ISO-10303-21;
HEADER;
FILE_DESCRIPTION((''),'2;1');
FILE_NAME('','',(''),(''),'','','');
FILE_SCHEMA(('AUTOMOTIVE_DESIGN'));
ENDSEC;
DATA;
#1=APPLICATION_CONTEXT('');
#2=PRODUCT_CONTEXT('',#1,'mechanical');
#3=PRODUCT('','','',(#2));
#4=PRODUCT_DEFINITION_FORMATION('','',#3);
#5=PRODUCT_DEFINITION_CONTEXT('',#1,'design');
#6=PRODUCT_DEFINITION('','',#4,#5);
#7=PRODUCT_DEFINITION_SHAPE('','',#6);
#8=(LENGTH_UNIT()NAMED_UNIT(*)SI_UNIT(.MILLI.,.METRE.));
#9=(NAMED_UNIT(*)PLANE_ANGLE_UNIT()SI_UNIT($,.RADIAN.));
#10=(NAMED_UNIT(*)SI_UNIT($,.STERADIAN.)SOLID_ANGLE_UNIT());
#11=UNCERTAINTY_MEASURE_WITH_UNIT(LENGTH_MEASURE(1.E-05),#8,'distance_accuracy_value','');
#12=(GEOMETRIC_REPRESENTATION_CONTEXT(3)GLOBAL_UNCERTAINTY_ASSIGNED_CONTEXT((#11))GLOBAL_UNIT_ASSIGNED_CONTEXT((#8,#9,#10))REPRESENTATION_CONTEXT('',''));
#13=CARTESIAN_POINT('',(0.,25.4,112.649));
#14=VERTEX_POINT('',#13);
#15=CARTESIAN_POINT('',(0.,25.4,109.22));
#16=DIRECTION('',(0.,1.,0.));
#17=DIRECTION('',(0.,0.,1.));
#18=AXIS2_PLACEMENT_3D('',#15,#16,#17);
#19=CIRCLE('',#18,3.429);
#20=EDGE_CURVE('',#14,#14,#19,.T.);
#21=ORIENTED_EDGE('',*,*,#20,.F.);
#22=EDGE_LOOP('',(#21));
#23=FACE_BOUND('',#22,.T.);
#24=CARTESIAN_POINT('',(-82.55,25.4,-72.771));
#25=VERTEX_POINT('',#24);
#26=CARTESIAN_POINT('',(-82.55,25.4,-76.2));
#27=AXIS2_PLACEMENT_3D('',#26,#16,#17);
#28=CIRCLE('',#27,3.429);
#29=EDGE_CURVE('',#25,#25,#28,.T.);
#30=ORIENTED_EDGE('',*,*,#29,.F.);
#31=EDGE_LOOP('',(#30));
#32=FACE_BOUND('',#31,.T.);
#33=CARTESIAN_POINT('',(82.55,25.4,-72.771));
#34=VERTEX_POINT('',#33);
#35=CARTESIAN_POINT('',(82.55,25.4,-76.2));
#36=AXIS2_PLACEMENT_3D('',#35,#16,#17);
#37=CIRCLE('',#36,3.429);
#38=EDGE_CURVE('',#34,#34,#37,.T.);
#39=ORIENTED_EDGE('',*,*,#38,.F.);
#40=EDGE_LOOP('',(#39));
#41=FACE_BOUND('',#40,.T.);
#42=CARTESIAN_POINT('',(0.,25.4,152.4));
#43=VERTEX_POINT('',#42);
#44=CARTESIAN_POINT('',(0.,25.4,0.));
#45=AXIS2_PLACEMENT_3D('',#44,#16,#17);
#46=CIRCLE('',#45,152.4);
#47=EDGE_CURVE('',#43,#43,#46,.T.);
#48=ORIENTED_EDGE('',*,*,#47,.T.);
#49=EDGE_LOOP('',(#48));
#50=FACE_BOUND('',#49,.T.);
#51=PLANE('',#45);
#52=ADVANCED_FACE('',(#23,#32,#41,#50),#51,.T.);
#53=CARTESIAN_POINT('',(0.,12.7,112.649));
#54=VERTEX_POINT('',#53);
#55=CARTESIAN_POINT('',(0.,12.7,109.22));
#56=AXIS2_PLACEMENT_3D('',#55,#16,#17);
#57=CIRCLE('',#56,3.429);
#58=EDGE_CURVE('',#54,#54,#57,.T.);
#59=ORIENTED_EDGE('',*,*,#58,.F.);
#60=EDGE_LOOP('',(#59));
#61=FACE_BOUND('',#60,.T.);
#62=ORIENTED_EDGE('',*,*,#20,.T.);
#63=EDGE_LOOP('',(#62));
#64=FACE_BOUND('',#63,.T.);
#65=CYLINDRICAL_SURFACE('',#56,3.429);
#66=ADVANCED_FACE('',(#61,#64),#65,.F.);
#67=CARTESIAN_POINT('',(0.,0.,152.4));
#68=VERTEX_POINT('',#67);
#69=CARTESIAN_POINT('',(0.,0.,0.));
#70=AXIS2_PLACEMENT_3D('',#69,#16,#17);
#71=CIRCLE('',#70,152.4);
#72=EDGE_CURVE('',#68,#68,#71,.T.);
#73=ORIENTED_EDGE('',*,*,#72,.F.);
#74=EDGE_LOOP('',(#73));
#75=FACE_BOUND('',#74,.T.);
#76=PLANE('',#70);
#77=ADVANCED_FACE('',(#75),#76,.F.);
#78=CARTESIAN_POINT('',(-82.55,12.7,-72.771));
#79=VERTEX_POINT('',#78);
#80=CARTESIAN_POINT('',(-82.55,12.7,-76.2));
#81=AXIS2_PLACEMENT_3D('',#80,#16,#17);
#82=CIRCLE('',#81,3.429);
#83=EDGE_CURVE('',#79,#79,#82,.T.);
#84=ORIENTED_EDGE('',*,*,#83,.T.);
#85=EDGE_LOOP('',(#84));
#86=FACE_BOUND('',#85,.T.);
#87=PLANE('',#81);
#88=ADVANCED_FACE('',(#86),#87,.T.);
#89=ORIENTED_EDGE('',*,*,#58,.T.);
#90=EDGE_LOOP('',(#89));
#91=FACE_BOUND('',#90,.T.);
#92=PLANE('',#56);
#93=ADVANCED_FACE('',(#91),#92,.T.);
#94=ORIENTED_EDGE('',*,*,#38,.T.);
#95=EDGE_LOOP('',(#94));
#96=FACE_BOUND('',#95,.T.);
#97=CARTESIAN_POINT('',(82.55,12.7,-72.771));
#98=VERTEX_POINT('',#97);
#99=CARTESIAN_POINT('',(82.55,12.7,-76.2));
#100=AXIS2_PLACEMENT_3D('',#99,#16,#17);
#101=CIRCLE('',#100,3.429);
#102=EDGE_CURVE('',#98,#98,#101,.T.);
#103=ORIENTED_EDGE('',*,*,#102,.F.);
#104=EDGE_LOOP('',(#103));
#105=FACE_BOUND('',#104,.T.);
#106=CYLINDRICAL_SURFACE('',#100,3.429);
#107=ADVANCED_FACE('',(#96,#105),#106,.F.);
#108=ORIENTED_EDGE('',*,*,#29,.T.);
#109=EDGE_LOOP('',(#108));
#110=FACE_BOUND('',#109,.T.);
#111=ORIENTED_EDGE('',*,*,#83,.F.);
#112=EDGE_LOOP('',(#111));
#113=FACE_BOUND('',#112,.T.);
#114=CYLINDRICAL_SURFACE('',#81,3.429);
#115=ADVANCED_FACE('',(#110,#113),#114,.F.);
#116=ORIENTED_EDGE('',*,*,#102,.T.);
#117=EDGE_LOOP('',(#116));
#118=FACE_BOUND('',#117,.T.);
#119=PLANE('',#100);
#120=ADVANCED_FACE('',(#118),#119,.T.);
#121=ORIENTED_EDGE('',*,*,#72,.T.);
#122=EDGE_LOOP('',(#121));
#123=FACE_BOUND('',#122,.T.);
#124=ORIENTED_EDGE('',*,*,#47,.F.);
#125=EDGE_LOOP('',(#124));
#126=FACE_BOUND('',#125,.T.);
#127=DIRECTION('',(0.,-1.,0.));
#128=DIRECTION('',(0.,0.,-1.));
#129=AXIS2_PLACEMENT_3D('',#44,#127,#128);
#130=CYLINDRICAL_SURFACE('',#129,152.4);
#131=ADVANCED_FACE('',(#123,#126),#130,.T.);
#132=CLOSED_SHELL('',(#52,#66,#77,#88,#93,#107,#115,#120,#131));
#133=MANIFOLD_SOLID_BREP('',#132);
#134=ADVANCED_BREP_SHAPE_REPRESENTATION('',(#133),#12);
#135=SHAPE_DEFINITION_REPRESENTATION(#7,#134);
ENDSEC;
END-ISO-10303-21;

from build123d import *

# Parameters (mm, degrees)
SKETCH1_R           = 152.4
BOSS_EXTRUDE1_DEPTH = 25.4
SKETCH2_R           = 3.429
CUT_EXTRUDE1_DEPTH  = 12.7


with BuildPart() as part:
    # Sketch1 → Boss-Extrude1 (new body)
    with BuildSketch(Plane(origin=(0, 0, 0), x_dir=(1, 0, 0), z_dir=(0, 1, 0))):
        with Locations(Location((0, 0, 0), (0, 0, 270))):
            Circle(SKETCH1_R)
    extrude(amount=BOSS_EXTRUDE1_DEPTH)

    # Sketch2 → Cut-Extrude1 (cut)
    with BuildSketch(Plane(origin=(0, 25.4, 0), x_dir=(1, 0, 0), z_dir=(0, 1, 0))):
        with Locations(Location((-82.55, 76.2, 0), (0, 0, 270))):
            Circle(SKETCH2_R)
        with Locations(Location((82.55, 76.2, 0), (0, 0, 270))):
            Circle(SKETCH2_R)
        with Locations(Location((0, -109.22, 0), (0, 0, 270))):
            Circle(SKETCH2_R)
    extrude(amount=-CUT_EXTRUDE1_DEPTH, mode=Mode.SUBTRACT)


solid = part.part
